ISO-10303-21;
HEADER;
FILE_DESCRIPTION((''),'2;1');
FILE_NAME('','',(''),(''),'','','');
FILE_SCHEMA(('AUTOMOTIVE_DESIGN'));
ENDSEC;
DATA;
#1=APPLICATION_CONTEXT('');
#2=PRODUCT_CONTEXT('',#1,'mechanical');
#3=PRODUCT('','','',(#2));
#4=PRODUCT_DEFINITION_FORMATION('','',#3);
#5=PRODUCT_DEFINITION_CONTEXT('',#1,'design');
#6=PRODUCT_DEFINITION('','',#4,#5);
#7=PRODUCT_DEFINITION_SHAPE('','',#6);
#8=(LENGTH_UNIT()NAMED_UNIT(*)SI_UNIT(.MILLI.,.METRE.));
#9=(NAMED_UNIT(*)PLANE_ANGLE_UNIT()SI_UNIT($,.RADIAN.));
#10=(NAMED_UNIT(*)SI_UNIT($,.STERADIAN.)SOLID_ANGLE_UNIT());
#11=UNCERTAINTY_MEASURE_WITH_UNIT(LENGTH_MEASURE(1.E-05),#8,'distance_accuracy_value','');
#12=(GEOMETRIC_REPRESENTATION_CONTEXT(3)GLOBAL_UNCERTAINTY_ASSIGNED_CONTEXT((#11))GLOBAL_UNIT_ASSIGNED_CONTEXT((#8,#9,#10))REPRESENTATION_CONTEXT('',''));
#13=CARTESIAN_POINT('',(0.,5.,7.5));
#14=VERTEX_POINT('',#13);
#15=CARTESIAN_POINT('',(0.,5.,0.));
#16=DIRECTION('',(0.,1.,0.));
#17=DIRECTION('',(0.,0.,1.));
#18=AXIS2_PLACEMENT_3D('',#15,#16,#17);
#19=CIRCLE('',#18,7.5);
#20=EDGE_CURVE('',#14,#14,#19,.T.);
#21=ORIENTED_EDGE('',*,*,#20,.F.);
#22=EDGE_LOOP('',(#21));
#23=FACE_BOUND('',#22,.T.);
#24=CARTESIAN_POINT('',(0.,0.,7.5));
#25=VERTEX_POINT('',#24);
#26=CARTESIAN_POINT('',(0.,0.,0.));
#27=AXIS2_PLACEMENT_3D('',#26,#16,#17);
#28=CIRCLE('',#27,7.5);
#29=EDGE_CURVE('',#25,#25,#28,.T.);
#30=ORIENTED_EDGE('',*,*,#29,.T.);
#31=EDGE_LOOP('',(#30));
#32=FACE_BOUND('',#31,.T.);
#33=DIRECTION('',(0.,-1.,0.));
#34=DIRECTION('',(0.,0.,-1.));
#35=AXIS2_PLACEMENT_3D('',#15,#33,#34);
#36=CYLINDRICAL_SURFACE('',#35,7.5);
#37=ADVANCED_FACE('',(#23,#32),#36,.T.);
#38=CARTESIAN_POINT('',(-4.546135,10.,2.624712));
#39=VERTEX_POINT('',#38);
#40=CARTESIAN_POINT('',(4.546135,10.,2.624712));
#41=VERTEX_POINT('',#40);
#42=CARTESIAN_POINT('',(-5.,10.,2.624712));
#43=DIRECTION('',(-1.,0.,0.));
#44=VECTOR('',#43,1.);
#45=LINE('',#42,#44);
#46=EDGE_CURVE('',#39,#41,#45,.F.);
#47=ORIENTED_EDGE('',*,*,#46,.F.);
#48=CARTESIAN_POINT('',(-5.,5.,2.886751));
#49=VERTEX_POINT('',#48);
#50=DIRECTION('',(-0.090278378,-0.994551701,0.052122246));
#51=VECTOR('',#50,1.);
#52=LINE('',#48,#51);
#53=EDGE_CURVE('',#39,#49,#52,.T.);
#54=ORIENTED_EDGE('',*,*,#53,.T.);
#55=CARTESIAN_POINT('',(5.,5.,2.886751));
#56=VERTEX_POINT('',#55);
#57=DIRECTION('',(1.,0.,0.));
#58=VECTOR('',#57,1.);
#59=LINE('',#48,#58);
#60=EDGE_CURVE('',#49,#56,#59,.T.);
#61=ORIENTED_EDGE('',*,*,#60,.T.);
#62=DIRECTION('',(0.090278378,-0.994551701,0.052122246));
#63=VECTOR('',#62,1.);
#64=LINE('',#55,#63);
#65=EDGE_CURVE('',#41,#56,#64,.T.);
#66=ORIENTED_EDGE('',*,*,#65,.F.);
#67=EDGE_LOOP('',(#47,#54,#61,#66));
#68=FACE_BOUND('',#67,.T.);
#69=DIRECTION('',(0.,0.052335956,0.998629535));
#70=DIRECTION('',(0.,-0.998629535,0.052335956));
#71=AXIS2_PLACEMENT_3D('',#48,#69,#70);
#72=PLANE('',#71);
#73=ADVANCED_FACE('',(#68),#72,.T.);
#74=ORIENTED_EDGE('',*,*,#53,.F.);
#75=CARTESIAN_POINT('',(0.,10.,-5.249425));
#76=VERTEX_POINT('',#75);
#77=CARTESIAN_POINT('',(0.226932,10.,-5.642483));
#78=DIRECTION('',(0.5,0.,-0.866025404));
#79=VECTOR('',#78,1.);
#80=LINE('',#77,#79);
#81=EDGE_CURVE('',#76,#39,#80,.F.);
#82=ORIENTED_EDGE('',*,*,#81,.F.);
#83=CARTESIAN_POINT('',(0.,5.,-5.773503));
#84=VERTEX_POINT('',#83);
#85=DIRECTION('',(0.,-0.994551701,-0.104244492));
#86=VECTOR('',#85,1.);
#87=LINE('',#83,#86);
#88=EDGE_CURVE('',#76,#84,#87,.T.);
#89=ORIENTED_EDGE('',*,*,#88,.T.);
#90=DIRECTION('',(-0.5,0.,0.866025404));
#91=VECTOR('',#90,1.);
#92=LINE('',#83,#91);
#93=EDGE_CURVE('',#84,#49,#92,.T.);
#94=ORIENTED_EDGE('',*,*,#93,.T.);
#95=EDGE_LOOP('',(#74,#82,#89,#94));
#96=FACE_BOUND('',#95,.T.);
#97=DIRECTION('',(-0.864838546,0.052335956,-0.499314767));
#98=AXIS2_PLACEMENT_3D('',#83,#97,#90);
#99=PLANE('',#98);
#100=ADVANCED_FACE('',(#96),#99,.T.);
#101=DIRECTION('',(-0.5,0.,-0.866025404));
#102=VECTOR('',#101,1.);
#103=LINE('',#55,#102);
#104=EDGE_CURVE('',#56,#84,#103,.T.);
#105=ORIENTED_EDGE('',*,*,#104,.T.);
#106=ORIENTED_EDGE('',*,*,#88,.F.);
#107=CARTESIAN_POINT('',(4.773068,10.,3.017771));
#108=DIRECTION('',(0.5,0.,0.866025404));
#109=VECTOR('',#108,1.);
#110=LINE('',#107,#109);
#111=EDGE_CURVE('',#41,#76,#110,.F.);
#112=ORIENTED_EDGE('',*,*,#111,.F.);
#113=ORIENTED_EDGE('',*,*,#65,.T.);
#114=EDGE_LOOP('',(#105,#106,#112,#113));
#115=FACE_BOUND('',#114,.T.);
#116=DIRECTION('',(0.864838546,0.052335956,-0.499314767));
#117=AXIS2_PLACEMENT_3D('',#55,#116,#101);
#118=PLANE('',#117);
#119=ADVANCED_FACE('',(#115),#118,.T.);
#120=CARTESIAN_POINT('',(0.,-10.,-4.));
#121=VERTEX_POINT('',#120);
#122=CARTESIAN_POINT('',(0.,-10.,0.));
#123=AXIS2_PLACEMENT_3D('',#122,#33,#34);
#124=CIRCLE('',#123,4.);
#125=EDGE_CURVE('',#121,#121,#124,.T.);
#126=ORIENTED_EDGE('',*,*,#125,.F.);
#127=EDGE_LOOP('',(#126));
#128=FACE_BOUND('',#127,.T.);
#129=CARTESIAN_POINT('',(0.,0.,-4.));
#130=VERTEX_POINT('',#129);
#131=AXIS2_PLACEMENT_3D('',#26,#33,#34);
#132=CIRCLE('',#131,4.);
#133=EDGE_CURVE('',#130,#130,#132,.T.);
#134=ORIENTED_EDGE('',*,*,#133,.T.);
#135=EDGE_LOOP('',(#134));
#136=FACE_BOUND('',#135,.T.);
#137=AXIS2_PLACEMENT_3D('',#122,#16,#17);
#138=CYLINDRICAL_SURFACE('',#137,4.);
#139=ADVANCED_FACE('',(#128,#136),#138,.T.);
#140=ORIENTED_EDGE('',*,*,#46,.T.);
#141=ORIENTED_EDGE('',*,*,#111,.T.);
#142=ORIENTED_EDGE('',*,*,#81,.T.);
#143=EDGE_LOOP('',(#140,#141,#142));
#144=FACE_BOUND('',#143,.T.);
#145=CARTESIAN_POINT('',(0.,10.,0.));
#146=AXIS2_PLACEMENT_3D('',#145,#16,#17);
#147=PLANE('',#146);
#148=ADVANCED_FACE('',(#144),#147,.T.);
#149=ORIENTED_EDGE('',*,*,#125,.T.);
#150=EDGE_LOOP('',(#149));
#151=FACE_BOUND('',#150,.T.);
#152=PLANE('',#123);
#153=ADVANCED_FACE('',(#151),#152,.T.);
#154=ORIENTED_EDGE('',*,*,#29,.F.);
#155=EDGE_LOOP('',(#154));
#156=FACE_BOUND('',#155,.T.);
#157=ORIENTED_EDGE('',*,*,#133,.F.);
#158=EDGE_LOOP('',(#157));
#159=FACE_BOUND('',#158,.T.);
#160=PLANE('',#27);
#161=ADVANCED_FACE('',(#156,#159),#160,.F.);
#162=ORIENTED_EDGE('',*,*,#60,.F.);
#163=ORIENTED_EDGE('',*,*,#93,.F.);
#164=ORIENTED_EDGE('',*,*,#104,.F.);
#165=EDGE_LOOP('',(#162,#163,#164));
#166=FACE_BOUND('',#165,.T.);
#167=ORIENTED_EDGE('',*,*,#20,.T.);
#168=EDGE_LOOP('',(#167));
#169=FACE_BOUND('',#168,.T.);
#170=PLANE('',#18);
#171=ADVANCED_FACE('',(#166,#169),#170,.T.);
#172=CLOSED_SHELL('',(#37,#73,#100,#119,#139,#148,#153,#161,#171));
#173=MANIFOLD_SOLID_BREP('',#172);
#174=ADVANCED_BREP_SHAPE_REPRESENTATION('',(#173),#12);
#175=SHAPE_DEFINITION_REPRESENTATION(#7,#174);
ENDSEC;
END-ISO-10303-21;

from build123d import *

# Parameters (mm, degrees)
SKETCH1_R           = 7.5
BOSS_EXTRUDE1_DEPTH = 5
BOSS_EXTRUDE2_DEPTH = 5
BOSS_EXTRUDE2_TAPER = 3
SKETCH3_R           = 4
BOSS_EXTRUDE3_DEPTH = 10


with BuildPart() as part:
    # Sketch1 → Boss-Extrude1 (new body)
    with BuildSketch(Plane(origin=(0, 0, 0), x_dir=(1, 0, 0), z_dir=(0, 1, 0))):
        with Locations(Location((0, 0, 0), (0, 0, 270))):
            Circle(SKETCH1_R)
    extrude(amount=BOSS_EXTRUDE1_DEPTH)

    # Sketch2 → Boss-Extrude2 (add)
    with BuildSketch(Plane(origin=(0, 5, 0), x_dir=(1, 0, 0), z_dir=(0, 1, 0))):
        Polygon((0, 5.773502692), (-5, -2.886751346), (5, -2.886751346), align=None)
    extrude(amount=BOSS_EXTRUDE2_DEPTH, taper=BOSS_EXTRUDE2_TAPER)

    # Sketch3 → Boss-Extrude3 (add)
    with BuildSketch(Plane.XZ):
        with Locations(Location((0, 0, 0), (0, 0, 270))):
            Circle(SKETCH3_R)
    extrude(amount=BOSS_EXTRUDE3_DEPTH)


solid = part.part
